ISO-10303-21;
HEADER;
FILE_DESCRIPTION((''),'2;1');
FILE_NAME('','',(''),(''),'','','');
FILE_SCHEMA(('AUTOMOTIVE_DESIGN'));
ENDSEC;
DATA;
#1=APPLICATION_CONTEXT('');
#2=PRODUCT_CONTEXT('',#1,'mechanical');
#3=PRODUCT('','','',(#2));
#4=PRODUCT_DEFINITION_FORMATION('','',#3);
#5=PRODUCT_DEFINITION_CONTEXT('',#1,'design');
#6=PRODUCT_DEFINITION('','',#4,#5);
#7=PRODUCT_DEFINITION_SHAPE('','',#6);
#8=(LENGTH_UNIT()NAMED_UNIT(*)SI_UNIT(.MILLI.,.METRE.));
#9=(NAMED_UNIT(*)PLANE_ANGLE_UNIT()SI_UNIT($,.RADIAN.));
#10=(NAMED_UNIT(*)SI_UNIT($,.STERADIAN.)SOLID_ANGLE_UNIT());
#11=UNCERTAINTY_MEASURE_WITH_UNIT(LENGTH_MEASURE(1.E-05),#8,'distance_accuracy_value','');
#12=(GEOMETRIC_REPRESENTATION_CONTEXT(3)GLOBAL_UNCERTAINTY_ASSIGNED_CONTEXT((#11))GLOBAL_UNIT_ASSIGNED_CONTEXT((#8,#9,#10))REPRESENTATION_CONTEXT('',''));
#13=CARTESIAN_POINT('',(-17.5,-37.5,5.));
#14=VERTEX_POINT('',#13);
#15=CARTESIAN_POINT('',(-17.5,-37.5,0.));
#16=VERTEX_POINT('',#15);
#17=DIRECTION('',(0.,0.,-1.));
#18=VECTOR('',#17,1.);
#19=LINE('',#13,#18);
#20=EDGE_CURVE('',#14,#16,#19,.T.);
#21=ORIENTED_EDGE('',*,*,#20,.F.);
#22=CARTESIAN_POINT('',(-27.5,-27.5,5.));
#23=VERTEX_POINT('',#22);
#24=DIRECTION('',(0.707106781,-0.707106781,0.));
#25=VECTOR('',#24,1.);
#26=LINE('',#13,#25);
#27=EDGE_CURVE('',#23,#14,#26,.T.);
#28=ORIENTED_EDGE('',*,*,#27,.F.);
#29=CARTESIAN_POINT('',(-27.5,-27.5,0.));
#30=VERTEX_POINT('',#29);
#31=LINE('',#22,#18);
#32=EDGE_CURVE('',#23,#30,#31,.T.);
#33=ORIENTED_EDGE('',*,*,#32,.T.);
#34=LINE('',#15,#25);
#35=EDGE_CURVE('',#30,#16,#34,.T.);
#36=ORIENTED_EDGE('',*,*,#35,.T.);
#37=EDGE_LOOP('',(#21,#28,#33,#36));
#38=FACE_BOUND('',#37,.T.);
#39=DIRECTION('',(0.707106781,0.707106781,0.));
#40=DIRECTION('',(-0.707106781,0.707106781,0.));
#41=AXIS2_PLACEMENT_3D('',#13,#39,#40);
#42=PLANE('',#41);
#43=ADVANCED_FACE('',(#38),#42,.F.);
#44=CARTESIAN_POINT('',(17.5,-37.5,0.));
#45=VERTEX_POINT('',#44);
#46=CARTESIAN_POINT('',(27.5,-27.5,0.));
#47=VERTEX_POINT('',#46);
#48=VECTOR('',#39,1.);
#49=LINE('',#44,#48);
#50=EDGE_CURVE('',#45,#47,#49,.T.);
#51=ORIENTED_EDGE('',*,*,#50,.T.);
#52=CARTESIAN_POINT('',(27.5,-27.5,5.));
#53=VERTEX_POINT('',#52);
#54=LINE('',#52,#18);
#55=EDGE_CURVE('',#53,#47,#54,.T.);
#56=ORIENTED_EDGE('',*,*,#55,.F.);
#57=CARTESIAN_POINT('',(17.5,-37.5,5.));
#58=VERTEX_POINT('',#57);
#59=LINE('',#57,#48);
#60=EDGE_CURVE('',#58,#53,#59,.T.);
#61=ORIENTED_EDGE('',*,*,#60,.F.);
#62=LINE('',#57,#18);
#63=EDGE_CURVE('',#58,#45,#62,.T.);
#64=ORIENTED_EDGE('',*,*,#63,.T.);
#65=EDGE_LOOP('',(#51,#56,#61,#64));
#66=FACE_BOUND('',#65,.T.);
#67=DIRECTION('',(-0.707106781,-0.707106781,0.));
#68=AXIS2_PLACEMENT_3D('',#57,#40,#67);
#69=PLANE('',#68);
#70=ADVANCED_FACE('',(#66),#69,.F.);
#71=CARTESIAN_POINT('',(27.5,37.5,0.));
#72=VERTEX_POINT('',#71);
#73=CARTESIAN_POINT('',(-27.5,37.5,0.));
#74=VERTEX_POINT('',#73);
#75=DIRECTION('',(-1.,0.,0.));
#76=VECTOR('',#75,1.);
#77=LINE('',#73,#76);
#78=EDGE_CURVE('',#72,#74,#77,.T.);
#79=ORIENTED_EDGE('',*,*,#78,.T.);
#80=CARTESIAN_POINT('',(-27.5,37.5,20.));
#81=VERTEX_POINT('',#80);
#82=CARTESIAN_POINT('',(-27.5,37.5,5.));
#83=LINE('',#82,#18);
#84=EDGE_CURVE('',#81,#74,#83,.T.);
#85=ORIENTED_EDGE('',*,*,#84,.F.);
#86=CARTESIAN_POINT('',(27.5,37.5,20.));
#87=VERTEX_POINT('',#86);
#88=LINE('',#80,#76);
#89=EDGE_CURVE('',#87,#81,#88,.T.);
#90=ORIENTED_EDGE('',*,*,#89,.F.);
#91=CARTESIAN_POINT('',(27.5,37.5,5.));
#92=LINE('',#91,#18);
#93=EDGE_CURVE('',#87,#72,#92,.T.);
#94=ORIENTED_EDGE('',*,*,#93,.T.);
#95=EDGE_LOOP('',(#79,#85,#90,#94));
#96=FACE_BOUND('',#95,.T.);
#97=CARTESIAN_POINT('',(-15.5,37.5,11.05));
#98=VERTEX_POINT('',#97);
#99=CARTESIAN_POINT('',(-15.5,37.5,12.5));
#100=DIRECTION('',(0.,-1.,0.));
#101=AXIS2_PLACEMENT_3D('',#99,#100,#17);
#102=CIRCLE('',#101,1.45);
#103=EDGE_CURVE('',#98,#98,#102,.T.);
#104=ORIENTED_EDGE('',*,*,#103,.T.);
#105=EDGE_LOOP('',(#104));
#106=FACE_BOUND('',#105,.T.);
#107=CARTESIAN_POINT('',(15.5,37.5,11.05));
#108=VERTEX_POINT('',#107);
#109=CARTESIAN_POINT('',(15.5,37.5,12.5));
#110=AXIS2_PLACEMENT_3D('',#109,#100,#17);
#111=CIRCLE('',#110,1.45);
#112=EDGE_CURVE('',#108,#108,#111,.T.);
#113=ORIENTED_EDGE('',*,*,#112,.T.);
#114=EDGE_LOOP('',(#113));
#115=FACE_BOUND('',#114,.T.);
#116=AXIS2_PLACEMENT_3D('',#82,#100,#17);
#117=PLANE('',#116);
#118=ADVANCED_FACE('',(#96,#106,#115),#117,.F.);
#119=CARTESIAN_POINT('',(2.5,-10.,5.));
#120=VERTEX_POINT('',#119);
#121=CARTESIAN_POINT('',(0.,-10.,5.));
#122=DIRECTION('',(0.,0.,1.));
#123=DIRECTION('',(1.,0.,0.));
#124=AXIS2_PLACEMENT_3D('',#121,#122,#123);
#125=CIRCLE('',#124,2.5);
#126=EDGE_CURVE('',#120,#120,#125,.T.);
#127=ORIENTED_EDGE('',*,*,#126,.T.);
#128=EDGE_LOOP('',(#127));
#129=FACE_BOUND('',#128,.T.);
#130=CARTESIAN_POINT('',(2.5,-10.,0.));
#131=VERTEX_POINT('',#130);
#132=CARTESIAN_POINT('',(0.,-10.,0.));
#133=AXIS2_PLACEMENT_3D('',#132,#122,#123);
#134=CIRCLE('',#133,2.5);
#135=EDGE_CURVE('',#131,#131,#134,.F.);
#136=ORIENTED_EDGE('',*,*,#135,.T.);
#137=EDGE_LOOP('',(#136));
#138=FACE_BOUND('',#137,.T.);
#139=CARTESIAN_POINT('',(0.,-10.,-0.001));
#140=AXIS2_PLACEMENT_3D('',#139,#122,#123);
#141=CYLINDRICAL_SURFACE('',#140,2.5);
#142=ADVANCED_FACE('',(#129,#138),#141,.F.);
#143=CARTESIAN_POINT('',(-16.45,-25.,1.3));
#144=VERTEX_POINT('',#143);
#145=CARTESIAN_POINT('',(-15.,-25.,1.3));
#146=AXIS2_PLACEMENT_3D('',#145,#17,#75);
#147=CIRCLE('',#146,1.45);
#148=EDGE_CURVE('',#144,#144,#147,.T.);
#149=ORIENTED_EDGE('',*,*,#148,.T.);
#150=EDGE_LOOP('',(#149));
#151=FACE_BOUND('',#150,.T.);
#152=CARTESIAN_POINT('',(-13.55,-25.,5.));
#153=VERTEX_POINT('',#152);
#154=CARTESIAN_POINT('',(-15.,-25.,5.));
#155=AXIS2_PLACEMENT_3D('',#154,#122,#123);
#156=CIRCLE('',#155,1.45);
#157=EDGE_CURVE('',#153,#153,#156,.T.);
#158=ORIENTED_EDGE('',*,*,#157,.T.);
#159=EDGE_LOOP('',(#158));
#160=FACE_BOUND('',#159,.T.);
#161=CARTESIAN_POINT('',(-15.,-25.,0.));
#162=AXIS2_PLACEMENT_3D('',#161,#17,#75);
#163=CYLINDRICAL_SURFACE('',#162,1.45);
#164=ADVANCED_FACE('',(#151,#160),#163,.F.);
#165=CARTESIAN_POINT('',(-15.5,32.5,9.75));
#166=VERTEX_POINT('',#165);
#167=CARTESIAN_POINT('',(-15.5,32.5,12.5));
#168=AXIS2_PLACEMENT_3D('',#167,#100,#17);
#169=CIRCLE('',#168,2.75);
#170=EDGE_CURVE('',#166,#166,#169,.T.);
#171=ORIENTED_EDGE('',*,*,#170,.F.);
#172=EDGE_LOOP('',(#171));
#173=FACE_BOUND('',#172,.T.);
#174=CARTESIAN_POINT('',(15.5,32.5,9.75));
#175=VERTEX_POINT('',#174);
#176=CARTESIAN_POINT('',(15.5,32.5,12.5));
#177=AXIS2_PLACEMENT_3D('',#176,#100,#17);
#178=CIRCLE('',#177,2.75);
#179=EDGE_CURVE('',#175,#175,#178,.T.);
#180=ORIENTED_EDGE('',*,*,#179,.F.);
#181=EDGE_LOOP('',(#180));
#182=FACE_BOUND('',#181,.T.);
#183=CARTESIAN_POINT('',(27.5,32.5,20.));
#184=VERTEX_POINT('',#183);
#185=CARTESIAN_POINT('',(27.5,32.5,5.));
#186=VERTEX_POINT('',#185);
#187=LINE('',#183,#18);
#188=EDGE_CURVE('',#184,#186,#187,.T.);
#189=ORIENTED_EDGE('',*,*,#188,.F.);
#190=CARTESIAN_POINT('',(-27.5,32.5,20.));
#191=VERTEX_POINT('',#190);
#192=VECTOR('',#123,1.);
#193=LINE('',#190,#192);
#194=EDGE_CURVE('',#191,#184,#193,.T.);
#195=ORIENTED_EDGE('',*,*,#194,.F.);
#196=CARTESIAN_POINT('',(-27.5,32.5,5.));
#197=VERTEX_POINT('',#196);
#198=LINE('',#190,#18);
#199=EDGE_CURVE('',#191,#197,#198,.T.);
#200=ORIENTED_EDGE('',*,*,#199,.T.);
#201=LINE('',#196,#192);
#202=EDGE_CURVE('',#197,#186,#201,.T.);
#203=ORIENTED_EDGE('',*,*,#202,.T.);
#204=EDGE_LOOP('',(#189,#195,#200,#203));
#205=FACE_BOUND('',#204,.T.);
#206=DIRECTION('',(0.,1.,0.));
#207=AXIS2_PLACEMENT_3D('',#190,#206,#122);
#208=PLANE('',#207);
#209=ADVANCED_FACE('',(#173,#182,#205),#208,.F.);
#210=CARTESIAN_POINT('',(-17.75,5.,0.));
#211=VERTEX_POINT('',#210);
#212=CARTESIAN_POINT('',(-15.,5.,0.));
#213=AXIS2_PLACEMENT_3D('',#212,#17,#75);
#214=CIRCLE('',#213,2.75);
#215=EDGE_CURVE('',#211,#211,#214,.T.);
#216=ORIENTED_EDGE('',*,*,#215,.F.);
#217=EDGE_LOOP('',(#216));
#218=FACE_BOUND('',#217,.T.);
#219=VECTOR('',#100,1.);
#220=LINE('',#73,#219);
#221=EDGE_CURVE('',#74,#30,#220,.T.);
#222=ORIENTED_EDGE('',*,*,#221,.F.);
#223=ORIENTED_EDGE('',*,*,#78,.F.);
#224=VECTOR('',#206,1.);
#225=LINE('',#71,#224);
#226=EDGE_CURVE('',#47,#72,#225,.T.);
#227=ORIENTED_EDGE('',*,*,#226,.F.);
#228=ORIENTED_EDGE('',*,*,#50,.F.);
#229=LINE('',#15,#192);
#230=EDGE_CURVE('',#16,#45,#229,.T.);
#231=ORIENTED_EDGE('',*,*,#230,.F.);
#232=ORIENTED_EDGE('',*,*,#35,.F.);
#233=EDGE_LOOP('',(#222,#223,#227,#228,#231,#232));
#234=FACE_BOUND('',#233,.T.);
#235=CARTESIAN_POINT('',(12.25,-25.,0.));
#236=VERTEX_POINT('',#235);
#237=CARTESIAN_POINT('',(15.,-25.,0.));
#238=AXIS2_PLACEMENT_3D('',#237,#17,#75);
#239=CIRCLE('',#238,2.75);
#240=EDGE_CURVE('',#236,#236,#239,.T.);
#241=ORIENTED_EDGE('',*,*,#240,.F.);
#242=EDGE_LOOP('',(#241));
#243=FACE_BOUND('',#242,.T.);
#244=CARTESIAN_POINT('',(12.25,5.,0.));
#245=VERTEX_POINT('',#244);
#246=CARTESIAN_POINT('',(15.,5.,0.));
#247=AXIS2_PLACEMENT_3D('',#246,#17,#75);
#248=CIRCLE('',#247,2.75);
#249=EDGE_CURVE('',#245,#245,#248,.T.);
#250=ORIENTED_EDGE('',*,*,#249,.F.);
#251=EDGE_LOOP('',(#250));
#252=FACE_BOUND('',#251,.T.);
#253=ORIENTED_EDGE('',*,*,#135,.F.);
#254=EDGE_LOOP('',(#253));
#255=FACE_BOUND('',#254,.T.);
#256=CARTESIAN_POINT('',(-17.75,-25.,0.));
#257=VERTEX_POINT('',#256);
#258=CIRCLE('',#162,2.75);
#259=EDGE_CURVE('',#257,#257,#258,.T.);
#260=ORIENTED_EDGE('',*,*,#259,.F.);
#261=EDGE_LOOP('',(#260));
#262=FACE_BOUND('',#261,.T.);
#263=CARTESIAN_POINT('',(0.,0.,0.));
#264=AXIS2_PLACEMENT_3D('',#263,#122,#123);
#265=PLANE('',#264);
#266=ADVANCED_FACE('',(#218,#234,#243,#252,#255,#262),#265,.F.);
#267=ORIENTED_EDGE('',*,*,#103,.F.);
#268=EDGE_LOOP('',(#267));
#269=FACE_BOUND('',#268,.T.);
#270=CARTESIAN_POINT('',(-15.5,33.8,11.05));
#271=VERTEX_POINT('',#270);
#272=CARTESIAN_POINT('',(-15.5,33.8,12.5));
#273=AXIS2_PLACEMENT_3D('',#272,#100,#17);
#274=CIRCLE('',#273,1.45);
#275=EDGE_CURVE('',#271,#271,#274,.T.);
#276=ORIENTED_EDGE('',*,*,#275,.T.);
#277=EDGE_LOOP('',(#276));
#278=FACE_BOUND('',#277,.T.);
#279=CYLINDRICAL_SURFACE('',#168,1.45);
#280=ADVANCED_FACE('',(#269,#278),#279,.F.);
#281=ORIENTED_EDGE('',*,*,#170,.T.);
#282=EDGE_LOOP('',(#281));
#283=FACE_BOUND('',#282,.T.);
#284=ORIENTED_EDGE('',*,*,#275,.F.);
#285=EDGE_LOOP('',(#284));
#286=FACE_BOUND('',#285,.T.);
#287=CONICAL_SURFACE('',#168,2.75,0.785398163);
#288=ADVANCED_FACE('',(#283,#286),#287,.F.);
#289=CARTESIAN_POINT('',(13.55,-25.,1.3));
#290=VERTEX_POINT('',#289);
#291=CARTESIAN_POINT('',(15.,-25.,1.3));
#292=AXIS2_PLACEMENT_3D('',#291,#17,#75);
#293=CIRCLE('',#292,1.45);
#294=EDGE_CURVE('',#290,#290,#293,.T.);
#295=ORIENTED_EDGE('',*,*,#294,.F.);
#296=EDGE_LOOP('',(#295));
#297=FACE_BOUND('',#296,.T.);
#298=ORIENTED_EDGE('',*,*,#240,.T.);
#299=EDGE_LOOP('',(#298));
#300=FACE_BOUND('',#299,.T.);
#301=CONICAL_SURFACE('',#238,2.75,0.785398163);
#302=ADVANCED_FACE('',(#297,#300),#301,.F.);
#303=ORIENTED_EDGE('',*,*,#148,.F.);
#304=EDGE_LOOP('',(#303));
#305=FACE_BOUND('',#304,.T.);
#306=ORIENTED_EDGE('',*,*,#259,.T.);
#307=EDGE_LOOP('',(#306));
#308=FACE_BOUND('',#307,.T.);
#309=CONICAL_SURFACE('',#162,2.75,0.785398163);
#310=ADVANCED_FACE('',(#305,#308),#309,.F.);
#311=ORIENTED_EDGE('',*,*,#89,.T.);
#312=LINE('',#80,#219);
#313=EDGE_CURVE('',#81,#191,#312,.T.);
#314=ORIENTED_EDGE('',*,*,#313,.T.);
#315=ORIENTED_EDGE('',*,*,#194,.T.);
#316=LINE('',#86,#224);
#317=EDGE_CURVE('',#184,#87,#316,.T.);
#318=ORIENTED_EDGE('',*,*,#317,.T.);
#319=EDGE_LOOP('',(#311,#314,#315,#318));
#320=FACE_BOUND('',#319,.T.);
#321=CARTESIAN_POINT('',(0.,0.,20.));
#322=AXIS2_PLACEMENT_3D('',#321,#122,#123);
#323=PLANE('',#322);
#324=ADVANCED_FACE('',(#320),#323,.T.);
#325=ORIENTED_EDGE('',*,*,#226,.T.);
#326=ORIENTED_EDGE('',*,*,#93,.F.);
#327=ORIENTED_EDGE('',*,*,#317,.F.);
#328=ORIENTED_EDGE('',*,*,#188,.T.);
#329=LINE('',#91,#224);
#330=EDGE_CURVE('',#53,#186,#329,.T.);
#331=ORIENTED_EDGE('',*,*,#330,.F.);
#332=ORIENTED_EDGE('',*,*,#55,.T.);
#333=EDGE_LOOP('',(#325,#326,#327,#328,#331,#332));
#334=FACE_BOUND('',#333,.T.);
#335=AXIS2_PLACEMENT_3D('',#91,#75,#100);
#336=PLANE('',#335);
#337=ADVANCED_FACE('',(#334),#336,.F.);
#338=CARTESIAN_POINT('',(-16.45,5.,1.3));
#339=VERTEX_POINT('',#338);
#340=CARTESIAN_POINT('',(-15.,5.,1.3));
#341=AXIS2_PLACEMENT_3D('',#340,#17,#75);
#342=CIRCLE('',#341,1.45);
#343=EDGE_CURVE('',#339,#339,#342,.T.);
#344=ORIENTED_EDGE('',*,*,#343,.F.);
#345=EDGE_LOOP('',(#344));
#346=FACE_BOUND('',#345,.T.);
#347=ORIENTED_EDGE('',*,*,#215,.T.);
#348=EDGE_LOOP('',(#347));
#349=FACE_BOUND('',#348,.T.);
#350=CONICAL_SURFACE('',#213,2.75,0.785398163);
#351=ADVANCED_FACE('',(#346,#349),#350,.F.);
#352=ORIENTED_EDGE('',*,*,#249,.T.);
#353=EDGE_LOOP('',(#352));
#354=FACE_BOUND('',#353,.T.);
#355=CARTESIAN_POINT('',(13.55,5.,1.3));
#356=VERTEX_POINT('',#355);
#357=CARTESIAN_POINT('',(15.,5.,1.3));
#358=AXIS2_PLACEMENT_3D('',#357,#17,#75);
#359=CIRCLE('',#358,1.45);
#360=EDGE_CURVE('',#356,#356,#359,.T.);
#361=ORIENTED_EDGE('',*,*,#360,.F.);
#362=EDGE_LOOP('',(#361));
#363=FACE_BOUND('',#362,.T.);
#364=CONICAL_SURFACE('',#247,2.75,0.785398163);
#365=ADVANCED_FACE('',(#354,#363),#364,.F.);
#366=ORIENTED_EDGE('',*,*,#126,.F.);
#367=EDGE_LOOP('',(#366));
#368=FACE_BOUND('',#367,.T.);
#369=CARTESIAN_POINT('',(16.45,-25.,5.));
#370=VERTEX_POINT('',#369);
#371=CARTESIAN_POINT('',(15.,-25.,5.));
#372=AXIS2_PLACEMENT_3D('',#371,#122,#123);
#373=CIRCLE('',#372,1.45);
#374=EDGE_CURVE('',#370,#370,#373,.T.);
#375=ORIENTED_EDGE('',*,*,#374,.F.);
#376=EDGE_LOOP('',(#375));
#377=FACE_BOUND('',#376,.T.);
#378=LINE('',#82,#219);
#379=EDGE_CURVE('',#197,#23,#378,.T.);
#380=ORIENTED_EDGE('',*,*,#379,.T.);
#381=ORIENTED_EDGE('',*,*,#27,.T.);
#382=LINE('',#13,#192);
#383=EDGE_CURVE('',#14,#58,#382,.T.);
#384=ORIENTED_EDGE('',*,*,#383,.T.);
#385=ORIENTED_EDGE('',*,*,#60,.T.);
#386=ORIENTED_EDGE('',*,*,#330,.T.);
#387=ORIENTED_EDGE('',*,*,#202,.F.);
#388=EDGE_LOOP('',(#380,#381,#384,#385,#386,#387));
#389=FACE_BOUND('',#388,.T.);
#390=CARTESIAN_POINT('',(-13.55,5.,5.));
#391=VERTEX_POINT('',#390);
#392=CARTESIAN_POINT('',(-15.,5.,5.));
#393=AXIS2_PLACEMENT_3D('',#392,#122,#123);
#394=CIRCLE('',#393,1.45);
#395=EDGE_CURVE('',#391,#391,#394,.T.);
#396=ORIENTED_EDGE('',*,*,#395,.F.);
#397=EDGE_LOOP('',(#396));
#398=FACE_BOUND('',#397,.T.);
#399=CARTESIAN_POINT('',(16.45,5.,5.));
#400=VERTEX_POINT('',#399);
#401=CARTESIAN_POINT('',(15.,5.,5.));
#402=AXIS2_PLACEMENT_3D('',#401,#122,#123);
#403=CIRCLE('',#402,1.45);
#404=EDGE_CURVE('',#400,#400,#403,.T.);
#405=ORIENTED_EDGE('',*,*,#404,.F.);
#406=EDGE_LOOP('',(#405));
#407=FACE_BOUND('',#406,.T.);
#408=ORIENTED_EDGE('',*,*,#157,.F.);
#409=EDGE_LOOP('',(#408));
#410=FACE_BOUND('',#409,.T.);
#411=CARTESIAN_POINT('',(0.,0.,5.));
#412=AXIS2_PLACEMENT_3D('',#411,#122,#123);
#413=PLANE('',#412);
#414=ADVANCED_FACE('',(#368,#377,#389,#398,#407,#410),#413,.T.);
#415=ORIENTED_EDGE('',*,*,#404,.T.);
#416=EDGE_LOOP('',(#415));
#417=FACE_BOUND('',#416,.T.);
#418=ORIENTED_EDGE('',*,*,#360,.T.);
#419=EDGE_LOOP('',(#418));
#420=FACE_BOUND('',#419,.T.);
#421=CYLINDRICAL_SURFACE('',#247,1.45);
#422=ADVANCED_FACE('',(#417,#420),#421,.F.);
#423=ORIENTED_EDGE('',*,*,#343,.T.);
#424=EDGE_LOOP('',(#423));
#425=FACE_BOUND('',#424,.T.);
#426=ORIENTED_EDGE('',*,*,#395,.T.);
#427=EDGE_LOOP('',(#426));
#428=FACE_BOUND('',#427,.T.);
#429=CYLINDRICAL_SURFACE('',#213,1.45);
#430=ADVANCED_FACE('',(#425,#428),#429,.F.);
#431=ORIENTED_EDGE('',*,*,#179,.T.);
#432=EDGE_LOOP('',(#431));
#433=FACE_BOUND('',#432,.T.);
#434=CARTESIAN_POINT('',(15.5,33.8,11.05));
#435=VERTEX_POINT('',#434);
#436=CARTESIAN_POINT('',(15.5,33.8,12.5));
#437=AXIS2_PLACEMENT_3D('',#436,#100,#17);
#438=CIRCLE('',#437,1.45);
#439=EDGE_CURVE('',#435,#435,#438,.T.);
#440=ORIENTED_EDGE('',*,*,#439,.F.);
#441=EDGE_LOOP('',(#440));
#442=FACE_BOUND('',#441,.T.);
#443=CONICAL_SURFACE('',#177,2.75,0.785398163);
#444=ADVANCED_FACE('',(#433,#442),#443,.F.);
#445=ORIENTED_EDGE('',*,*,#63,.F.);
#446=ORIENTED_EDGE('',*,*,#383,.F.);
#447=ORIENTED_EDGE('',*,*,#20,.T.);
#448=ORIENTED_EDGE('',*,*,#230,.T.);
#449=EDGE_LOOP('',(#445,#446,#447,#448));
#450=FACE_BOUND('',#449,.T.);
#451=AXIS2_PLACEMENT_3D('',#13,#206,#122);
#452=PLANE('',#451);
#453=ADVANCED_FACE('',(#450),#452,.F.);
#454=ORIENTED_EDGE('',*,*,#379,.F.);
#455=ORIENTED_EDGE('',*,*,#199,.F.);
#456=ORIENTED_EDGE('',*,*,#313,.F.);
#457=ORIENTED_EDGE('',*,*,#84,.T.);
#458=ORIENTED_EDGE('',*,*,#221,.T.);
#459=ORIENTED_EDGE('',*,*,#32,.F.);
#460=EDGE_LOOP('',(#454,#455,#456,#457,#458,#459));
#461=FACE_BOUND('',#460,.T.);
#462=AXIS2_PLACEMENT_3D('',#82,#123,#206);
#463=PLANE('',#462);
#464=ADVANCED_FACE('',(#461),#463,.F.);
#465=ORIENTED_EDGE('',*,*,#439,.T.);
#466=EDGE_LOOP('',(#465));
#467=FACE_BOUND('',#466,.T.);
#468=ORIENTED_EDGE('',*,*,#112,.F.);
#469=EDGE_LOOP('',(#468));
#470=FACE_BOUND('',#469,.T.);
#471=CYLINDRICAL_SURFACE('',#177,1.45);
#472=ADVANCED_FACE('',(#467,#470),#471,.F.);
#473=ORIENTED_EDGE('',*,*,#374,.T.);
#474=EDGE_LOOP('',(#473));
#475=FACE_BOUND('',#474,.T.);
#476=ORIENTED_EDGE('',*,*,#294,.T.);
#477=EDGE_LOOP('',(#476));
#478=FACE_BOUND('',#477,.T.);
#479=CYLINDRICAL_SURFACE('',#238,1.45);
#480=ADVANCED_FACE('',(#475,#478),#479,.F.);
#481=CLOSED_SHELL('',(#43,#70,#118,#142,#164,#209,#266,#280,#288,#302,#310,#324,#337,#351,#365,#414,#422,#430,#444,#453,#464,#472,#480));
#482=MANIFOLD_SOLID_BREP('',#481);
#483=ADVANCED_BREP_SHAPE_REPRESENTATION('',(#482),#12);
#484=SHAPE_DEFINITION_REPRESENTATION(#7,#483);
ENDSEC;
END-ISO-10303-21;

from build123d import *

# Parameters (mm, degrees)
BOSS_EXTRUDE1_DEPTH                               = 5
CUT_EXTRUDE1_REACH                                = 7
SKETCH2_R                                         = 2.5
SKETCH3_W                                         = 55
SKETCH3_H                                         = 5
BOSS_EXTRUDE2_DEPTH                               = 15
CSK_FOR_M2_5_FLAT_HEAD_MACHINE_SCREW1_D           = 2.9
CSK_FOR_M2_5_FLAT_HEAD_MACHINE_SCREW1_CSINK_D     = 5.5
CSK_FOR_M2_5_FLAT_HEAD_MACHINE_SCREW1_CSINK_ANGLE = 90
CSK_FOR_M2_5_FLAT_HEAD_MACHINE_SCREW2_D           = 2.9
CSK_FOR_M2_5_FLAT_HEAD_MACHINE_SCREW2_DEPTH       = 5
CSK_FOR_M2_5_FLAT_HEAD_MACHINE_SCREW2_CSINK_D     = 5.5
CSK_FOR_M2_5_FLAT_HEAD_MACHINE_SCREW2_CSINK_ANGLE = 90


with BuildPart() as part:
    # Sketch1 → Boss-Extrude1 (new body)
    with BuildSketch(Plane.XY):
        Polygon((-17.5, -37.5), (-27.5, -27.5), (-27.5, 37.5), (27.5, 37.5), (27.5, -27.5), (17.5, -37.5), align=None)
    extrude(amount=BOSS_EXTRUDE1_DEPTH)

    # Sketch2 → Cut-Extrude1 (cut, up to next)
    with BuildSketch(Plane.XY.offset(5), mode=Mode.PRIVATE) as cut_extrude1_sk1:
        with Locations((0, -10)):
            Circle(SKETCH2_R)
    cut_extrude1_tool1 = extrude(cut_extrude1_sk1.sketch, amount=-CUT_EXTRUDE1_REACH, mode=Mode.PRIVATE) & part.part
    add(cut_extrude1_tool1.solids().sort_by_distance((0, -10, 5))[0], mode=Mode.SUBTRACT)

    # Sketch3 → Boss-Extrude2 (add)
    with BuildSketch(Plane.XY.offset(5)):
        with Locations((0, 35)):
            Rectangle(SKETCH3_W, SKETCH3_H)
    extrude(amount=BOSS_EXTRUDE2_DEPTH)

    # CSK for M2.5 Flat Head Machine Screw1 (through all)
    with Locations(Plane(origin=(0, 32.5, 0), x_dir=(-1, 0, 0), z_dir=(0, -1, 0))):
        with Locations((-15.5, -12.5), (15.5, -12.5)):
            CounterSinkHole(CSK_FOR_M2_5_FLAT_HEAD_MACHINE_SCREW1_D / 2, CSK_FOR_M2_5_FLAT_HEAD_MACHINE_SCREW1_CSINK_D / 2, counter_sink_angle=CSK_FOR_M2_5_FLAT_HEAD_MACHINE_SCREW1_CSINK_ANGLE)

    # CSK for M2.5 Flat Head Machine Screw2
    with Locations(Plane(origin=(0, 0, 0), x_dir=(-1, 0, 0), z_dir=(0, 0, -1))):
        with Locations((-15, 5), (15, 5), (-15, -25), (15, -25)):
            CounterSinkHole(CSK_FOR_M2_5_FLAT_HEAD_MACHINE_SCREW2_D / 2, CSK_FOR_M2_5_FLAT_HEAD_MACHINE_SCREW2_CSINK_D / 2, depth=CSK_FOR_M2_5_FLAT_HEAD_MACHINE_SCREW2_DEPTH, counter_sink_angle=CSK_FOR_M2_5_FLAT_HEAD_MACHINE_SCREW2_CSINK_ANGLE)


solid = part.part
